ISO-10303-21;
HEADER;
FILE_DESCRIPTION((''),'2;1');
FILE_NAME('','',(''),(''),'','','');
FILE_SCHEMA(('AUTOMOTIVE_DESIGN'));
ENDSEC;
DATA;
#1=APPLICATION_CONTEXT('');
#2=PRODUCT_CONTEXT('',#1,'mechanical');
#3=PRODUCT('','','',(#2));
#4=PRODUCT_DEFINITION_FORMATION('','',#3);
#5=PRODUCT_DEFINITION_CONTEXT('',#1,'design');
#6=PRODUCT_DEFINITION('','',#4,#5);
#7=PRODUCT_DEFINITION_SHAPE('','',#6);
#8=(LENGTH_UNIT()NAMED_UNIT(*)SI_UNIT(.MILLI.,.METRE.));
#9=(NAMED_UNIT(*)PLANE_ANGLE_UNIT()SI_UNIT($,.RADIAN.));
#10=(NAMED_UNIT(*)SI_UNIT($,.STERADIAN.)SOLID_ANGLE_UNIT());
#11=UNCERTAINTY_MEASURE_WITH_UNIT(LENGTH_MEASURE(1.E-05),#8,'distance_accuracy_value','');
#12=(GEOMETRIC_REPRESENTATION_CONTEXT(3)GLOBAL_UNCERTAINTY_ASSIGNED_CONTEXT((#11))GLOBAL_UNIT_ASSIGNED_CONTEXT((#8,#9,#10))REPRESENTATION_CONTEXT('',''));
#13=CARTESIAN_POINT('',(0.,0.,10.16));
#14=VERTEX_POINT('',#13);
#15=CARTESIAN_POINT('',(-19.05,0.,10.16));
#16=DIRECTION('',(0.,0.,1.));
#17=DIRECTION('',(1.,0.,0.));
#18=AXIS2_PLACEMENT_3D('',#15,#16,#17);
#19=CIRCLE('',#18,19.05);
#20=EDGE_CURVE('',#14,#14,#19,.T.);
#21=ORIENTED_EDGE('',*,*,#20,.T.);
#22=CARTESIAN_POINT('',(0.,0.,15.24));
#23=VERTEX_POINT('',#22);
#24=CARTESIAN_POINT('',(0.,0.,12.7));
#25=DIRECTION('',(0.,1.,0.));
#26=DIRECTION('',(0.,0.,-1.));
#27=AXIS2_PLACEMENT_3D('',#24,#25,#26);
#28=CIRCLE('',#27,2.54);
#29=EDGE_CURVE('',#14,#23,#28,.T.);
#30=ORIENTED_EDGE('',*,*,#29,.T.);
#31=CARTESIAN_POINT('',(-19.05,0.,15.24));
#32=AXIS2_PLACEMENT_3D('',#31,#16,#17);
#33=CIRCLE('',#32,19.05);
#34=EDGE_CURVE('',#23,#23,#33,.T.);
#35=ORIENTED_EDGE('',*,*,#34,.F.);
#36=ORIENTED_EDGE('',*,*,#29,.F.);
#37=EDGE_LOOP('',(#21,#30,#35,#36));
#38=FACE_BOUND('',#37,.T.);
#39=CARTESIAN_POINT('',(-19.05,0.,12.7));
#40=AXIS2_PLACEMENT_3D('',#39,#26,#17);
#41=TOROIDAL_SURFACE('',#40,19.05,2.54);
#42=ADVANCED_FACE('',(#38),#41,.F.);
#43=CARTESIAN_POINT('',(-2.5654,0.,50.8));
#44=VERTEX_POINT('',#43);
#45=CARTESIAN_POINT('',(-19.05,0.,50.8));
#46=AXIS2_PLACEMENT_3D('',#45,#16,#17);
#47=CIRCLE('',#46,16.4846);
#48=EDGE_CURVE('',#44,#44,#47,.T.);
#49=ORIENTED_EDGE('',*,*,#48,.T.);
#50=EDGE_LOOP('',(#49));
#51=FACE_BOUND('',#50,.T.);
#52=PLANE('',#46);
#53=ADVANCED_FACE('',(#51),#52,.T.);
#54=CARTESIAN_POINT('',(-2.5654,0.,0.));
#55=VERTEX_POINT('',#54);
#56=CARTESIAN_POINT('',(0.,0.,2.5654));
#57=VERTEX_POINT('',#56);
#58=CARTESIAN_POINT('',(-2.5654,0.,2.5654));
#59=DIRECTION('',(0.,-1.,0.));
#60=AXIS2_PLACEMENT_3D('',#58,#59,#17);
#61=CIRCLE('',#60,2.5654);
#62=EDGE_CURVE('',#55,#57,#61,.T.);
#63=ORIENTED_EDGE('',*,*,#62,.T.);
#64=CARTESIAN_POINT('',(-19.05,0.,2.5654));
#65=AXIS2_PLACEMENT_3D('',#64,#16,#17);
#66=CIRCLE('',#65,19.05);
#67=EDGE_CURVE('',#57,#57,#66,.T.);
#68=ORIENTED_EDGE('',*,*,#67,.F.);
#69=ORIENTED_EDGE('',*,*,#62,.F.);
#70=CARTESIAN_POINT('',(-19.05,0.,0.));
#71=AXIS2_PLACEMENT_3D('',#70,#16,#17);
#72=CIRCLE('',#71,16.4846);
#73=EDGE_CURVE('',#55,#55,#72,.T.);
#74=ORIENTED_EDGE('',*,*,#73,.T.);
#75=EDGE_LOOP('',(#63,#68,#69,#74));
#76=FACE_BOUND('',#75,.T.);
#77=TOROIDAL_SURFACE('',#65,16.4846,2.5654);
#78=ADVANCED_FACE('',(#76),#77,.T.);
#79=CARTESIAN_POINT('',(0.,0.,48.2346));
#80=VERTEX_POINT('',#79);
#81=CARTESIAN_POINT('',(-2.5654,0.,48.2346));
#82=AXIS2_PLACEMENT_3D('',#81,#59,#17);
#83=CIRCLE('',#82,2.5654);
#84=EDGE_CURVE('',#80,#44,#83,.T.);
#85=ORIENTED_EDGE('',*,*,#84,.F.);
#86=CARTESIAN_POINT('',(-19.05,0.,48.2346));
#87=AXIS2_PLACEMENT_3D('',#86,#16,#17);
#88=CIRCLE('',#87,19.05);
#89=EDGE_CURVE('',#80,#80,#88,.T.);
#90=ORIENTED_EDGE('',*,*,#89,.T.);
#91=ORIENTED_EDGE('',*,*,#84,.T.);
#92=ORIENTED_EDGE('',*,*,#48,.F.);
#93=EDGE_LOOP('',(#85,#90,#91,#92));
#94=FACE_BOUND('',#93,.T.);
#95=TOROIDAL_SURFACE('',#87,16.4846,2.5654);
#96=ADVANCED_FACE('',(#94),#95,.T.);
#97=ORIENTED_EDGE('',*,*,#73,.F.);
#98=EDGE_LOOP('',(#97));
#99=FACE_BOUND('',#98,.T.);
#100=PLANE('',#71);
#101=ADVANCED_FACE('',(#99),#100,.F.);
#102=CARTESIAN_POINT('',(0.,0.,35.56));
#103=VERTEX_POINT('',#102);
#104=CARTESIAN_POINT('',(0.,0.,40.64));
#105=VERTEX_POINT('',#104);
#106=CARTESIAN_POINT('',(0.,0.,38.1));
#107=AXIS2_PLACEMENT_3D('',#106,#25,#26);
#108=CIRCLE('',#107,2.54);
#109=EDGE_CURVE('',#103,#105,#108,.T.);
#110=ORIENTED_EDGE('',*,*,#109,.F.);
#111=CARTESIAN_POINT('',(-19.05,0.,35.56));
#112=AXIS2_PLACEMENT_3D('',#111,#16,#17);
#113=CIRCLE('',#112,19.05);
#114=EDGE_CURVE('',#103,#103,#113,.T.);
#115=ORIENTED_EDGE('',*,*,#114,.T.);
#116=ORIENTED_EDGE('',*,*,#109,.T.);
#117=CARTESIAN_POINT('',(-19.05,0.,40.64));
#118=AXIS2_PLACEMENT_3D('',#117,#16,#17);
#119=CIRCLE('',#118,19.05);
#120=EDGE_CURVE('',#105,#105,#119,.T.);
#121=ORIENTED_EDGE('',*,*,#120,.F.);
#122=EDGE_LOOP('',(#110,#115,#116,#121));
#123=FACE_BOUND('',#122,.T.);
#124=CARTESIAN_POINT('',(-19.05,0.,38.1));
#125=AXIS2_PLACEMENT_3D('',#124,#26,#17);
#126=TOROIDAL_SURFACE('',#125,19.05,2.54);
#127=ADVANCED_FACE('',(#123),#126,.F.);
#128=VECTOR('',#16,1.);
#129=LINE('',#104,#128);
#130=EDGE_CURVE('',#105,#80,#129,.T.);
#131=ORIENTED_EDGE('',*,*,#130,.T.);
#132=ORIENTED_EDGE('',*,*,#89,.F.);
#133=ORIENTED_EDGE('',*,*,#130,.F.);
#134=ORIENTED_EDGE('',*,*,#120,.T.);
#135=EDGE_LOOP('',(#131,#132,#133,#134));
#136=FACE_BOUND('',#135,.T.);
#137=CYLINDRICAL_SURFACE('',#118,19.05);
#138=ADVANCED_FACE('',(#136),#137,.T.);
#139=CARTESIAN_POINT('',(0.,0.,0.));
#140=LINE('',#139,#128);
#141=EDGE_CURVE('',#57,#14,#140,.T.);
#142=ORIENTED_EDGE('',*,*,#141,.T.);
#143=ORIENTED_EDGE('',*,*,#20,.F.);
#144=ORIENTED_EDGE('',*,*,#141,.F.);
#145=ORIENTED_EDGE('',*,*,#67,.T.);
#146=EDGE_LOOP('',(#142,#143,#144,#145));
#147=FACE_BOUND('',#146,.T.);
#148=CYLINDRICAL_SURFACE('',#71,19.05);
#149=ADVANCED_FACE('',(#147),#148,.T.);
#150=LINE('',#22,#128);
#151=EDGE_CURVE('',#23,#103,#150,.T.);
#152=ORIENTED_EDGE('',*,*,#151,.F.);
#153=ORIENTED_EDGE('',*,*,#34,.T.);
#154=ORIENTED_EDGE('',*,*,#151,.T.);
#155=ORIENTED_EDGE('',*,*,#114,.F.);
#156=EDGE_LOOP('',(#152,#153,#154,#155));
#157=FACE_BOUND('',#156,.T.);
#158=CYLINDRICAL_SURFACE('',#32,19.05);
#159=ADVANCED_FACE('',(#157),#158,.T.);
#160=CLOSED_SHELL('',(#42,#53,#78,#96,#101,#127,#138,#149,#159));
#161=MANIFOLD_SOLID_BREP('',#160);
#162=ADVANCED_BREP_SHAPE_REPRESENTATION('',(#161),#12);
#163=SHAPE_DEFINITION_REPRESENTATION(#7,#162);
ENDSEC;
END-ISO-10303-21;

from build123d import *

# Parameters (mm, degrees)
F2_R = 2.5654


with BuildPart() as f1:
    # F0 (on Front) → F1 (revolve)
    with BuildSketch(Plane.XZ):
        with BuildLine():
            Line((-19.05, 0), (0, 0))
            Line((0, 0), (0, 10.16))
            ThreePointArc((0, 10.16), (-2.54, 12.7), (0, 15.24))
            Line((0, 15.24), (0, 35.56))
            ThreePointArc((0, 35.56), (-2.54, 38.1), (0, 40.64))
            Line((0, 40.64), (0, 50.8))
            Line((0, 50.8), (-19.05, 50.8))
            Line((-19.05, 50.8), (-19.05, 0))
        make_face()
    revolve(axis=Axis((-19.05, 0, 25.4), (0, 0, 1)))

    # F2
    f2_edges = [f1.edges().sort_by_distance(p)[0] for p in [
        (-38.1, 0, 50.8),
        (-38.1, 0, 0),
    ]]
    fillet(f2_edges, radius=F2_R)


solid = f1.part
